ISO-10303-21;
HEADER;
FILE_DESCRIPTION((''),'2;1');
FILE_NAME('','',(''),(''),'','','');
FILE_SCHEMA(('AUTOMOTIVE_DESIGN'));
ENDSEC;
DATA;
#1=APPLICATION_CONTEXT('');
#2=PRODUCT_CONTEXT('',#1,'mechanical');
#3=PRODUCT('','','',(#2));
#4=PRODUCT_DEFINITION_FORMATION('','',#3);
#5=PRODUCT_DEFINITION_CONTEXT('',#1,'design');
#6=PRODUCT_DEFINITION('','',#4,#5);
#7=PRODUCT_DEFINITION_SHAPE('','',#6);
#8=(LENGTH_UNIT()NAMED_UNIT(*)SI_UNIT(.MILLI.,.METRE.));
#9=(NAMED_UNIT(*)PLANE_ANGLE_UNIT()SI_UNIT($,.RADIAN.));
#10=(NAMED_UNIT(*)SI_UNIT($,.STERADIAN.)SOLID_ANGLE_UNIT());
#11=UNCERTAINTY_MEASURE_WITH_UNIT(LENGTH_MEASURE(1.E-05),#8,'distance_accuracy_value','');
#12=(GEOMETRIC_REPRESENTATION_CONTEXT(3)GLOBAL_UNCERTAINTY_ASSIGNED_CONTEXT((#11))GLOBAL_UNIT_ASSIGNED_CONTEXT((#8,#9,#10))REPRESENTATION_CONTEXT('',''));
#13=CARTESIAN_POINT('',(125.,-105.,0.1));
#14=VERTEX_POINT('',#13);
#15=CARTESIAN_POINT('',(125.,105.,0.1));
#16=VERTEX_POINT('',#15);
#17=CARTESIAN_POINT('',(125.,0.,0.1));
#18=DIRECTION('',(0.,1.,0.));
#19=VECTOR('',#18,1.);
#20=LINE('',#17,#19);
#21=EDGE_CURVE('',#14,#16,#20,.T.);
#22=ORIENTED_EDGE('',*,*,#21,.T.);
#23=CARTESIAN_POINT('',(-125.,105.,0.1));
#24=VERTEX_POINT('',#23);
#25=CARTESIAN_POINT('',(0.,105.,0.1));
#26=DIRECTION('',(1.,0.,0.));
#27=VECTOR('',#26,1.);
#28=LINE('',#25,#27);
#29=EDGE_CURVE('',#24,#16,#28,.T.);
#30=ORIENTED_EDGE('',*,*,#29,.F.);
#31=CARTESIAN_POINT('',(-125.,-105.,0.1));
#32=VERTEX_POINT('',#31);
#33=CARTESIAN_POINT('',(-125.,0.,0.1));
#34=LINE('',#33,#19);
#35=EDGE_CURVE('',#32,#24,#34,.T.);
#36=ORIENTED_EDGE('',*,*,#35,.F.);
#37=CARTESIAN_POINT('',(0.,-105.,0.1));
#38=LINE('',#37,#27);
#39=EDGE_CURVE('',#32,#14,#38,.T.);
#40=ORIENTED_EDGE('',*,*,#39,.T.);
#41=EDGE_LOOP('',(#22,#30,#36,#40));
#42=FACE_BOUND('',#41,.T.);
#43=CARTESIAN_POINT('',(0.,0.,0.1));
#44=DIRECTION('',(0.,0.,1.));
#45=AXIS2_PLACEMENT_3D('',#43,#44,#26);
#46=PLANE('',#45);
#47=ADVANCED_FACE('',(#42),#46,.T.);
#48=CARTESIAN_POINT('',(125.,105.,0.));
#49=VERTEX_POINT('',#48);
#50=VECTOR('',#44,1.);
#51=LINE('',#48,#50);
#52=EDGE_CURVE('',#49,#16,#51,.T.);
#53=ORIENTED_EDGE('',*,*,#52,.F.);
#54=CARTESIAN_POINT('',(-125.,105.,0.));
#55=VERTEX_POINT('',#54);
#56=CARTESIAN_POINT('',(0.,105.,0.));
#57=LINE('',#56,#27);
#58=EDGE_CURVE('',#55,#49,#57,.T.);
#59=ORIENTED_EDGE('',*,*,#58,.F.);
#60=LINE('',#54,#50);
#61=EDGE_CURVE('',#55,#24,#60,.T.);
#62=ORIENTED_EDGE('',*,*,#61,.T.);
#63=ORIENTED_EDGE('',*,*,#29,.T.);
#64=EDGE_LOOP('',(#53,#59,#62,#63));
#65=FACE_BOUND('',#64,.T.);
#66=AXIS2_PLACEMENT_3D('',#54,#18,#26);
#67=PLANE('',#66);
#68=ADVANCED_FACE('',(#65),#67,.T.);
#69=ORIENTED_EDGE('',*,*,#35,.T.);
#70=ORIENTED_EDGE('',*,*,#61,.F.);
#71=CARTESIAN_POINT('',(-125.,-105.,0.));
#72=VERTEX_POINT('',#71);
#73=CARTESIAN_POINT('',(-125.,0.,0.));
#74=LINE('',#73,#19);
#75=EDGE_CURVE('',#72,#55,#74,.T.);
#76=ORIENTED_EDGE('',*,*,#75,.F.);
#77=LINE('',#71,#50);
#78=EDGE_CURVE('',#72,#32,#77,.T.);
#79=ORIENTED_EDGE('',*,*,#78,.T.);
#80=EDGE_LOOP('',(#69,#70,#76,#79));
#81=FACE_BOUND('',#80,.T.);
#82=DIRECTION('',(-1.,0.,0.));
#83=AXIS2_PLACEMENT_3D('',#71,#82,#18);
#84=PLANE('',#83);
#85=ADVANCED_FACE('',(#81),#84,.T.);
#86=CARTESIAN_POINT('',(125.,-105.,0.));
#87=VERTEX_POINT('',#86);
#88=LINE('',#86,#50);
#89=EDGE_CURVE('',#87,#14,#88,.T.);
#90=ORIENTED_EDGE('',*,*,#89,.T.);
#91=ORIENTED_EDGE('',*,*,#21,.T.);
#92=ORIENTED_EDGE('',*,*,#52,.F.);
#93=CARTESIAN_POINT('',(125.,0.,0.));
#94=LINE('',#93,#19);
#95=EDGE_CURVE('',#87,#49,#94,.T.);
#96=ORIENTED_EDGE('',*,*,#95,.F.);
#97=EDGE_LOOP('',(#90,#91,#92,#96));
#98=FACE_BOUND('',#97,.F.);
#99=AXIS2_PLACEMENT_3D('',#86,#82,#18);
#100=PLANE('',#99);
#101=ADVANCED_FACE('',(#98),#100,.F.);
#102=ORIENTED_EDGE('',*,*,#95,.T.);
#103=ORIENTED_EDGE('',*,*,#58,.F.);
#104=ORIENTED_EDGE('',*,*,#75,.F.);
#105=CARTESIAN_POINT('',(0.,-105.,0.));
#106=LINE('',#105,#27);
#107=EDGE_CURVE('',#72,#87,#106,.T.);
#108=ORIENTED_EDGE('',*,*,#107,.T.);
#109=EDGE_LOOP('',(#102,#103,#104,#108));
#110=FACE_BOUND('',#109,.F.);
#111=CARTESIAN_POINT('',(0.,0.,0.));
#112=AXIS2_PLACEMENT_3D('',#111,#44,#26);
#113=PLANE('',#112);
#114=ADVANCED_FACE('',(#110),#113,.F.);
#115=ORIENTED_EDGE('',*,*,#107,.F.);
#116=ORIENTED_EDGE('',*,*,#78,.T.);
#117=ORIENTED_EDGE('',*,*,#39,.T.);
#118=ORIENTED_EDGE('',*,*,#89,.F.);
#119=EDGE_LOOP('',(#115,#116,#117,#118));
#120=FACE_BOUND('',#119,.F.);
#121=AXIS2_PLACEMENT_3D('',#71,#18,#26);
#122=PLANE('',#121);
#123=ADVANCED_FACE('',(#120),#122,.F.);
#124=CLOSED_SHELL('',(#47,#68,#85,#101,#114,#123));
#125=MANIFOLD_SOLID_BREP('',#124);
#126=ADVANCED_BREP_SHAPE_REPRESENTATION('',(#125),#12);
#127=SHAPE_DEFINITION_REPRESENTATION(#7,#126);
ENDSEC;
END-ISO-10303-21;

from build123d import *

# Parameters (mm, degrees)
SKETCH_W  = 250
SKETCH_H  = 210
PAD_DEPTH = 0.1


with BuildPart() as part:
    # Sketch → Pad (new body)
    with BuildSketch(Plane.XY):
        Rectangle(SKETCH_W, SKETCH_H)
    extrude(amount=PAD_DEPTH)


solid = part.part
